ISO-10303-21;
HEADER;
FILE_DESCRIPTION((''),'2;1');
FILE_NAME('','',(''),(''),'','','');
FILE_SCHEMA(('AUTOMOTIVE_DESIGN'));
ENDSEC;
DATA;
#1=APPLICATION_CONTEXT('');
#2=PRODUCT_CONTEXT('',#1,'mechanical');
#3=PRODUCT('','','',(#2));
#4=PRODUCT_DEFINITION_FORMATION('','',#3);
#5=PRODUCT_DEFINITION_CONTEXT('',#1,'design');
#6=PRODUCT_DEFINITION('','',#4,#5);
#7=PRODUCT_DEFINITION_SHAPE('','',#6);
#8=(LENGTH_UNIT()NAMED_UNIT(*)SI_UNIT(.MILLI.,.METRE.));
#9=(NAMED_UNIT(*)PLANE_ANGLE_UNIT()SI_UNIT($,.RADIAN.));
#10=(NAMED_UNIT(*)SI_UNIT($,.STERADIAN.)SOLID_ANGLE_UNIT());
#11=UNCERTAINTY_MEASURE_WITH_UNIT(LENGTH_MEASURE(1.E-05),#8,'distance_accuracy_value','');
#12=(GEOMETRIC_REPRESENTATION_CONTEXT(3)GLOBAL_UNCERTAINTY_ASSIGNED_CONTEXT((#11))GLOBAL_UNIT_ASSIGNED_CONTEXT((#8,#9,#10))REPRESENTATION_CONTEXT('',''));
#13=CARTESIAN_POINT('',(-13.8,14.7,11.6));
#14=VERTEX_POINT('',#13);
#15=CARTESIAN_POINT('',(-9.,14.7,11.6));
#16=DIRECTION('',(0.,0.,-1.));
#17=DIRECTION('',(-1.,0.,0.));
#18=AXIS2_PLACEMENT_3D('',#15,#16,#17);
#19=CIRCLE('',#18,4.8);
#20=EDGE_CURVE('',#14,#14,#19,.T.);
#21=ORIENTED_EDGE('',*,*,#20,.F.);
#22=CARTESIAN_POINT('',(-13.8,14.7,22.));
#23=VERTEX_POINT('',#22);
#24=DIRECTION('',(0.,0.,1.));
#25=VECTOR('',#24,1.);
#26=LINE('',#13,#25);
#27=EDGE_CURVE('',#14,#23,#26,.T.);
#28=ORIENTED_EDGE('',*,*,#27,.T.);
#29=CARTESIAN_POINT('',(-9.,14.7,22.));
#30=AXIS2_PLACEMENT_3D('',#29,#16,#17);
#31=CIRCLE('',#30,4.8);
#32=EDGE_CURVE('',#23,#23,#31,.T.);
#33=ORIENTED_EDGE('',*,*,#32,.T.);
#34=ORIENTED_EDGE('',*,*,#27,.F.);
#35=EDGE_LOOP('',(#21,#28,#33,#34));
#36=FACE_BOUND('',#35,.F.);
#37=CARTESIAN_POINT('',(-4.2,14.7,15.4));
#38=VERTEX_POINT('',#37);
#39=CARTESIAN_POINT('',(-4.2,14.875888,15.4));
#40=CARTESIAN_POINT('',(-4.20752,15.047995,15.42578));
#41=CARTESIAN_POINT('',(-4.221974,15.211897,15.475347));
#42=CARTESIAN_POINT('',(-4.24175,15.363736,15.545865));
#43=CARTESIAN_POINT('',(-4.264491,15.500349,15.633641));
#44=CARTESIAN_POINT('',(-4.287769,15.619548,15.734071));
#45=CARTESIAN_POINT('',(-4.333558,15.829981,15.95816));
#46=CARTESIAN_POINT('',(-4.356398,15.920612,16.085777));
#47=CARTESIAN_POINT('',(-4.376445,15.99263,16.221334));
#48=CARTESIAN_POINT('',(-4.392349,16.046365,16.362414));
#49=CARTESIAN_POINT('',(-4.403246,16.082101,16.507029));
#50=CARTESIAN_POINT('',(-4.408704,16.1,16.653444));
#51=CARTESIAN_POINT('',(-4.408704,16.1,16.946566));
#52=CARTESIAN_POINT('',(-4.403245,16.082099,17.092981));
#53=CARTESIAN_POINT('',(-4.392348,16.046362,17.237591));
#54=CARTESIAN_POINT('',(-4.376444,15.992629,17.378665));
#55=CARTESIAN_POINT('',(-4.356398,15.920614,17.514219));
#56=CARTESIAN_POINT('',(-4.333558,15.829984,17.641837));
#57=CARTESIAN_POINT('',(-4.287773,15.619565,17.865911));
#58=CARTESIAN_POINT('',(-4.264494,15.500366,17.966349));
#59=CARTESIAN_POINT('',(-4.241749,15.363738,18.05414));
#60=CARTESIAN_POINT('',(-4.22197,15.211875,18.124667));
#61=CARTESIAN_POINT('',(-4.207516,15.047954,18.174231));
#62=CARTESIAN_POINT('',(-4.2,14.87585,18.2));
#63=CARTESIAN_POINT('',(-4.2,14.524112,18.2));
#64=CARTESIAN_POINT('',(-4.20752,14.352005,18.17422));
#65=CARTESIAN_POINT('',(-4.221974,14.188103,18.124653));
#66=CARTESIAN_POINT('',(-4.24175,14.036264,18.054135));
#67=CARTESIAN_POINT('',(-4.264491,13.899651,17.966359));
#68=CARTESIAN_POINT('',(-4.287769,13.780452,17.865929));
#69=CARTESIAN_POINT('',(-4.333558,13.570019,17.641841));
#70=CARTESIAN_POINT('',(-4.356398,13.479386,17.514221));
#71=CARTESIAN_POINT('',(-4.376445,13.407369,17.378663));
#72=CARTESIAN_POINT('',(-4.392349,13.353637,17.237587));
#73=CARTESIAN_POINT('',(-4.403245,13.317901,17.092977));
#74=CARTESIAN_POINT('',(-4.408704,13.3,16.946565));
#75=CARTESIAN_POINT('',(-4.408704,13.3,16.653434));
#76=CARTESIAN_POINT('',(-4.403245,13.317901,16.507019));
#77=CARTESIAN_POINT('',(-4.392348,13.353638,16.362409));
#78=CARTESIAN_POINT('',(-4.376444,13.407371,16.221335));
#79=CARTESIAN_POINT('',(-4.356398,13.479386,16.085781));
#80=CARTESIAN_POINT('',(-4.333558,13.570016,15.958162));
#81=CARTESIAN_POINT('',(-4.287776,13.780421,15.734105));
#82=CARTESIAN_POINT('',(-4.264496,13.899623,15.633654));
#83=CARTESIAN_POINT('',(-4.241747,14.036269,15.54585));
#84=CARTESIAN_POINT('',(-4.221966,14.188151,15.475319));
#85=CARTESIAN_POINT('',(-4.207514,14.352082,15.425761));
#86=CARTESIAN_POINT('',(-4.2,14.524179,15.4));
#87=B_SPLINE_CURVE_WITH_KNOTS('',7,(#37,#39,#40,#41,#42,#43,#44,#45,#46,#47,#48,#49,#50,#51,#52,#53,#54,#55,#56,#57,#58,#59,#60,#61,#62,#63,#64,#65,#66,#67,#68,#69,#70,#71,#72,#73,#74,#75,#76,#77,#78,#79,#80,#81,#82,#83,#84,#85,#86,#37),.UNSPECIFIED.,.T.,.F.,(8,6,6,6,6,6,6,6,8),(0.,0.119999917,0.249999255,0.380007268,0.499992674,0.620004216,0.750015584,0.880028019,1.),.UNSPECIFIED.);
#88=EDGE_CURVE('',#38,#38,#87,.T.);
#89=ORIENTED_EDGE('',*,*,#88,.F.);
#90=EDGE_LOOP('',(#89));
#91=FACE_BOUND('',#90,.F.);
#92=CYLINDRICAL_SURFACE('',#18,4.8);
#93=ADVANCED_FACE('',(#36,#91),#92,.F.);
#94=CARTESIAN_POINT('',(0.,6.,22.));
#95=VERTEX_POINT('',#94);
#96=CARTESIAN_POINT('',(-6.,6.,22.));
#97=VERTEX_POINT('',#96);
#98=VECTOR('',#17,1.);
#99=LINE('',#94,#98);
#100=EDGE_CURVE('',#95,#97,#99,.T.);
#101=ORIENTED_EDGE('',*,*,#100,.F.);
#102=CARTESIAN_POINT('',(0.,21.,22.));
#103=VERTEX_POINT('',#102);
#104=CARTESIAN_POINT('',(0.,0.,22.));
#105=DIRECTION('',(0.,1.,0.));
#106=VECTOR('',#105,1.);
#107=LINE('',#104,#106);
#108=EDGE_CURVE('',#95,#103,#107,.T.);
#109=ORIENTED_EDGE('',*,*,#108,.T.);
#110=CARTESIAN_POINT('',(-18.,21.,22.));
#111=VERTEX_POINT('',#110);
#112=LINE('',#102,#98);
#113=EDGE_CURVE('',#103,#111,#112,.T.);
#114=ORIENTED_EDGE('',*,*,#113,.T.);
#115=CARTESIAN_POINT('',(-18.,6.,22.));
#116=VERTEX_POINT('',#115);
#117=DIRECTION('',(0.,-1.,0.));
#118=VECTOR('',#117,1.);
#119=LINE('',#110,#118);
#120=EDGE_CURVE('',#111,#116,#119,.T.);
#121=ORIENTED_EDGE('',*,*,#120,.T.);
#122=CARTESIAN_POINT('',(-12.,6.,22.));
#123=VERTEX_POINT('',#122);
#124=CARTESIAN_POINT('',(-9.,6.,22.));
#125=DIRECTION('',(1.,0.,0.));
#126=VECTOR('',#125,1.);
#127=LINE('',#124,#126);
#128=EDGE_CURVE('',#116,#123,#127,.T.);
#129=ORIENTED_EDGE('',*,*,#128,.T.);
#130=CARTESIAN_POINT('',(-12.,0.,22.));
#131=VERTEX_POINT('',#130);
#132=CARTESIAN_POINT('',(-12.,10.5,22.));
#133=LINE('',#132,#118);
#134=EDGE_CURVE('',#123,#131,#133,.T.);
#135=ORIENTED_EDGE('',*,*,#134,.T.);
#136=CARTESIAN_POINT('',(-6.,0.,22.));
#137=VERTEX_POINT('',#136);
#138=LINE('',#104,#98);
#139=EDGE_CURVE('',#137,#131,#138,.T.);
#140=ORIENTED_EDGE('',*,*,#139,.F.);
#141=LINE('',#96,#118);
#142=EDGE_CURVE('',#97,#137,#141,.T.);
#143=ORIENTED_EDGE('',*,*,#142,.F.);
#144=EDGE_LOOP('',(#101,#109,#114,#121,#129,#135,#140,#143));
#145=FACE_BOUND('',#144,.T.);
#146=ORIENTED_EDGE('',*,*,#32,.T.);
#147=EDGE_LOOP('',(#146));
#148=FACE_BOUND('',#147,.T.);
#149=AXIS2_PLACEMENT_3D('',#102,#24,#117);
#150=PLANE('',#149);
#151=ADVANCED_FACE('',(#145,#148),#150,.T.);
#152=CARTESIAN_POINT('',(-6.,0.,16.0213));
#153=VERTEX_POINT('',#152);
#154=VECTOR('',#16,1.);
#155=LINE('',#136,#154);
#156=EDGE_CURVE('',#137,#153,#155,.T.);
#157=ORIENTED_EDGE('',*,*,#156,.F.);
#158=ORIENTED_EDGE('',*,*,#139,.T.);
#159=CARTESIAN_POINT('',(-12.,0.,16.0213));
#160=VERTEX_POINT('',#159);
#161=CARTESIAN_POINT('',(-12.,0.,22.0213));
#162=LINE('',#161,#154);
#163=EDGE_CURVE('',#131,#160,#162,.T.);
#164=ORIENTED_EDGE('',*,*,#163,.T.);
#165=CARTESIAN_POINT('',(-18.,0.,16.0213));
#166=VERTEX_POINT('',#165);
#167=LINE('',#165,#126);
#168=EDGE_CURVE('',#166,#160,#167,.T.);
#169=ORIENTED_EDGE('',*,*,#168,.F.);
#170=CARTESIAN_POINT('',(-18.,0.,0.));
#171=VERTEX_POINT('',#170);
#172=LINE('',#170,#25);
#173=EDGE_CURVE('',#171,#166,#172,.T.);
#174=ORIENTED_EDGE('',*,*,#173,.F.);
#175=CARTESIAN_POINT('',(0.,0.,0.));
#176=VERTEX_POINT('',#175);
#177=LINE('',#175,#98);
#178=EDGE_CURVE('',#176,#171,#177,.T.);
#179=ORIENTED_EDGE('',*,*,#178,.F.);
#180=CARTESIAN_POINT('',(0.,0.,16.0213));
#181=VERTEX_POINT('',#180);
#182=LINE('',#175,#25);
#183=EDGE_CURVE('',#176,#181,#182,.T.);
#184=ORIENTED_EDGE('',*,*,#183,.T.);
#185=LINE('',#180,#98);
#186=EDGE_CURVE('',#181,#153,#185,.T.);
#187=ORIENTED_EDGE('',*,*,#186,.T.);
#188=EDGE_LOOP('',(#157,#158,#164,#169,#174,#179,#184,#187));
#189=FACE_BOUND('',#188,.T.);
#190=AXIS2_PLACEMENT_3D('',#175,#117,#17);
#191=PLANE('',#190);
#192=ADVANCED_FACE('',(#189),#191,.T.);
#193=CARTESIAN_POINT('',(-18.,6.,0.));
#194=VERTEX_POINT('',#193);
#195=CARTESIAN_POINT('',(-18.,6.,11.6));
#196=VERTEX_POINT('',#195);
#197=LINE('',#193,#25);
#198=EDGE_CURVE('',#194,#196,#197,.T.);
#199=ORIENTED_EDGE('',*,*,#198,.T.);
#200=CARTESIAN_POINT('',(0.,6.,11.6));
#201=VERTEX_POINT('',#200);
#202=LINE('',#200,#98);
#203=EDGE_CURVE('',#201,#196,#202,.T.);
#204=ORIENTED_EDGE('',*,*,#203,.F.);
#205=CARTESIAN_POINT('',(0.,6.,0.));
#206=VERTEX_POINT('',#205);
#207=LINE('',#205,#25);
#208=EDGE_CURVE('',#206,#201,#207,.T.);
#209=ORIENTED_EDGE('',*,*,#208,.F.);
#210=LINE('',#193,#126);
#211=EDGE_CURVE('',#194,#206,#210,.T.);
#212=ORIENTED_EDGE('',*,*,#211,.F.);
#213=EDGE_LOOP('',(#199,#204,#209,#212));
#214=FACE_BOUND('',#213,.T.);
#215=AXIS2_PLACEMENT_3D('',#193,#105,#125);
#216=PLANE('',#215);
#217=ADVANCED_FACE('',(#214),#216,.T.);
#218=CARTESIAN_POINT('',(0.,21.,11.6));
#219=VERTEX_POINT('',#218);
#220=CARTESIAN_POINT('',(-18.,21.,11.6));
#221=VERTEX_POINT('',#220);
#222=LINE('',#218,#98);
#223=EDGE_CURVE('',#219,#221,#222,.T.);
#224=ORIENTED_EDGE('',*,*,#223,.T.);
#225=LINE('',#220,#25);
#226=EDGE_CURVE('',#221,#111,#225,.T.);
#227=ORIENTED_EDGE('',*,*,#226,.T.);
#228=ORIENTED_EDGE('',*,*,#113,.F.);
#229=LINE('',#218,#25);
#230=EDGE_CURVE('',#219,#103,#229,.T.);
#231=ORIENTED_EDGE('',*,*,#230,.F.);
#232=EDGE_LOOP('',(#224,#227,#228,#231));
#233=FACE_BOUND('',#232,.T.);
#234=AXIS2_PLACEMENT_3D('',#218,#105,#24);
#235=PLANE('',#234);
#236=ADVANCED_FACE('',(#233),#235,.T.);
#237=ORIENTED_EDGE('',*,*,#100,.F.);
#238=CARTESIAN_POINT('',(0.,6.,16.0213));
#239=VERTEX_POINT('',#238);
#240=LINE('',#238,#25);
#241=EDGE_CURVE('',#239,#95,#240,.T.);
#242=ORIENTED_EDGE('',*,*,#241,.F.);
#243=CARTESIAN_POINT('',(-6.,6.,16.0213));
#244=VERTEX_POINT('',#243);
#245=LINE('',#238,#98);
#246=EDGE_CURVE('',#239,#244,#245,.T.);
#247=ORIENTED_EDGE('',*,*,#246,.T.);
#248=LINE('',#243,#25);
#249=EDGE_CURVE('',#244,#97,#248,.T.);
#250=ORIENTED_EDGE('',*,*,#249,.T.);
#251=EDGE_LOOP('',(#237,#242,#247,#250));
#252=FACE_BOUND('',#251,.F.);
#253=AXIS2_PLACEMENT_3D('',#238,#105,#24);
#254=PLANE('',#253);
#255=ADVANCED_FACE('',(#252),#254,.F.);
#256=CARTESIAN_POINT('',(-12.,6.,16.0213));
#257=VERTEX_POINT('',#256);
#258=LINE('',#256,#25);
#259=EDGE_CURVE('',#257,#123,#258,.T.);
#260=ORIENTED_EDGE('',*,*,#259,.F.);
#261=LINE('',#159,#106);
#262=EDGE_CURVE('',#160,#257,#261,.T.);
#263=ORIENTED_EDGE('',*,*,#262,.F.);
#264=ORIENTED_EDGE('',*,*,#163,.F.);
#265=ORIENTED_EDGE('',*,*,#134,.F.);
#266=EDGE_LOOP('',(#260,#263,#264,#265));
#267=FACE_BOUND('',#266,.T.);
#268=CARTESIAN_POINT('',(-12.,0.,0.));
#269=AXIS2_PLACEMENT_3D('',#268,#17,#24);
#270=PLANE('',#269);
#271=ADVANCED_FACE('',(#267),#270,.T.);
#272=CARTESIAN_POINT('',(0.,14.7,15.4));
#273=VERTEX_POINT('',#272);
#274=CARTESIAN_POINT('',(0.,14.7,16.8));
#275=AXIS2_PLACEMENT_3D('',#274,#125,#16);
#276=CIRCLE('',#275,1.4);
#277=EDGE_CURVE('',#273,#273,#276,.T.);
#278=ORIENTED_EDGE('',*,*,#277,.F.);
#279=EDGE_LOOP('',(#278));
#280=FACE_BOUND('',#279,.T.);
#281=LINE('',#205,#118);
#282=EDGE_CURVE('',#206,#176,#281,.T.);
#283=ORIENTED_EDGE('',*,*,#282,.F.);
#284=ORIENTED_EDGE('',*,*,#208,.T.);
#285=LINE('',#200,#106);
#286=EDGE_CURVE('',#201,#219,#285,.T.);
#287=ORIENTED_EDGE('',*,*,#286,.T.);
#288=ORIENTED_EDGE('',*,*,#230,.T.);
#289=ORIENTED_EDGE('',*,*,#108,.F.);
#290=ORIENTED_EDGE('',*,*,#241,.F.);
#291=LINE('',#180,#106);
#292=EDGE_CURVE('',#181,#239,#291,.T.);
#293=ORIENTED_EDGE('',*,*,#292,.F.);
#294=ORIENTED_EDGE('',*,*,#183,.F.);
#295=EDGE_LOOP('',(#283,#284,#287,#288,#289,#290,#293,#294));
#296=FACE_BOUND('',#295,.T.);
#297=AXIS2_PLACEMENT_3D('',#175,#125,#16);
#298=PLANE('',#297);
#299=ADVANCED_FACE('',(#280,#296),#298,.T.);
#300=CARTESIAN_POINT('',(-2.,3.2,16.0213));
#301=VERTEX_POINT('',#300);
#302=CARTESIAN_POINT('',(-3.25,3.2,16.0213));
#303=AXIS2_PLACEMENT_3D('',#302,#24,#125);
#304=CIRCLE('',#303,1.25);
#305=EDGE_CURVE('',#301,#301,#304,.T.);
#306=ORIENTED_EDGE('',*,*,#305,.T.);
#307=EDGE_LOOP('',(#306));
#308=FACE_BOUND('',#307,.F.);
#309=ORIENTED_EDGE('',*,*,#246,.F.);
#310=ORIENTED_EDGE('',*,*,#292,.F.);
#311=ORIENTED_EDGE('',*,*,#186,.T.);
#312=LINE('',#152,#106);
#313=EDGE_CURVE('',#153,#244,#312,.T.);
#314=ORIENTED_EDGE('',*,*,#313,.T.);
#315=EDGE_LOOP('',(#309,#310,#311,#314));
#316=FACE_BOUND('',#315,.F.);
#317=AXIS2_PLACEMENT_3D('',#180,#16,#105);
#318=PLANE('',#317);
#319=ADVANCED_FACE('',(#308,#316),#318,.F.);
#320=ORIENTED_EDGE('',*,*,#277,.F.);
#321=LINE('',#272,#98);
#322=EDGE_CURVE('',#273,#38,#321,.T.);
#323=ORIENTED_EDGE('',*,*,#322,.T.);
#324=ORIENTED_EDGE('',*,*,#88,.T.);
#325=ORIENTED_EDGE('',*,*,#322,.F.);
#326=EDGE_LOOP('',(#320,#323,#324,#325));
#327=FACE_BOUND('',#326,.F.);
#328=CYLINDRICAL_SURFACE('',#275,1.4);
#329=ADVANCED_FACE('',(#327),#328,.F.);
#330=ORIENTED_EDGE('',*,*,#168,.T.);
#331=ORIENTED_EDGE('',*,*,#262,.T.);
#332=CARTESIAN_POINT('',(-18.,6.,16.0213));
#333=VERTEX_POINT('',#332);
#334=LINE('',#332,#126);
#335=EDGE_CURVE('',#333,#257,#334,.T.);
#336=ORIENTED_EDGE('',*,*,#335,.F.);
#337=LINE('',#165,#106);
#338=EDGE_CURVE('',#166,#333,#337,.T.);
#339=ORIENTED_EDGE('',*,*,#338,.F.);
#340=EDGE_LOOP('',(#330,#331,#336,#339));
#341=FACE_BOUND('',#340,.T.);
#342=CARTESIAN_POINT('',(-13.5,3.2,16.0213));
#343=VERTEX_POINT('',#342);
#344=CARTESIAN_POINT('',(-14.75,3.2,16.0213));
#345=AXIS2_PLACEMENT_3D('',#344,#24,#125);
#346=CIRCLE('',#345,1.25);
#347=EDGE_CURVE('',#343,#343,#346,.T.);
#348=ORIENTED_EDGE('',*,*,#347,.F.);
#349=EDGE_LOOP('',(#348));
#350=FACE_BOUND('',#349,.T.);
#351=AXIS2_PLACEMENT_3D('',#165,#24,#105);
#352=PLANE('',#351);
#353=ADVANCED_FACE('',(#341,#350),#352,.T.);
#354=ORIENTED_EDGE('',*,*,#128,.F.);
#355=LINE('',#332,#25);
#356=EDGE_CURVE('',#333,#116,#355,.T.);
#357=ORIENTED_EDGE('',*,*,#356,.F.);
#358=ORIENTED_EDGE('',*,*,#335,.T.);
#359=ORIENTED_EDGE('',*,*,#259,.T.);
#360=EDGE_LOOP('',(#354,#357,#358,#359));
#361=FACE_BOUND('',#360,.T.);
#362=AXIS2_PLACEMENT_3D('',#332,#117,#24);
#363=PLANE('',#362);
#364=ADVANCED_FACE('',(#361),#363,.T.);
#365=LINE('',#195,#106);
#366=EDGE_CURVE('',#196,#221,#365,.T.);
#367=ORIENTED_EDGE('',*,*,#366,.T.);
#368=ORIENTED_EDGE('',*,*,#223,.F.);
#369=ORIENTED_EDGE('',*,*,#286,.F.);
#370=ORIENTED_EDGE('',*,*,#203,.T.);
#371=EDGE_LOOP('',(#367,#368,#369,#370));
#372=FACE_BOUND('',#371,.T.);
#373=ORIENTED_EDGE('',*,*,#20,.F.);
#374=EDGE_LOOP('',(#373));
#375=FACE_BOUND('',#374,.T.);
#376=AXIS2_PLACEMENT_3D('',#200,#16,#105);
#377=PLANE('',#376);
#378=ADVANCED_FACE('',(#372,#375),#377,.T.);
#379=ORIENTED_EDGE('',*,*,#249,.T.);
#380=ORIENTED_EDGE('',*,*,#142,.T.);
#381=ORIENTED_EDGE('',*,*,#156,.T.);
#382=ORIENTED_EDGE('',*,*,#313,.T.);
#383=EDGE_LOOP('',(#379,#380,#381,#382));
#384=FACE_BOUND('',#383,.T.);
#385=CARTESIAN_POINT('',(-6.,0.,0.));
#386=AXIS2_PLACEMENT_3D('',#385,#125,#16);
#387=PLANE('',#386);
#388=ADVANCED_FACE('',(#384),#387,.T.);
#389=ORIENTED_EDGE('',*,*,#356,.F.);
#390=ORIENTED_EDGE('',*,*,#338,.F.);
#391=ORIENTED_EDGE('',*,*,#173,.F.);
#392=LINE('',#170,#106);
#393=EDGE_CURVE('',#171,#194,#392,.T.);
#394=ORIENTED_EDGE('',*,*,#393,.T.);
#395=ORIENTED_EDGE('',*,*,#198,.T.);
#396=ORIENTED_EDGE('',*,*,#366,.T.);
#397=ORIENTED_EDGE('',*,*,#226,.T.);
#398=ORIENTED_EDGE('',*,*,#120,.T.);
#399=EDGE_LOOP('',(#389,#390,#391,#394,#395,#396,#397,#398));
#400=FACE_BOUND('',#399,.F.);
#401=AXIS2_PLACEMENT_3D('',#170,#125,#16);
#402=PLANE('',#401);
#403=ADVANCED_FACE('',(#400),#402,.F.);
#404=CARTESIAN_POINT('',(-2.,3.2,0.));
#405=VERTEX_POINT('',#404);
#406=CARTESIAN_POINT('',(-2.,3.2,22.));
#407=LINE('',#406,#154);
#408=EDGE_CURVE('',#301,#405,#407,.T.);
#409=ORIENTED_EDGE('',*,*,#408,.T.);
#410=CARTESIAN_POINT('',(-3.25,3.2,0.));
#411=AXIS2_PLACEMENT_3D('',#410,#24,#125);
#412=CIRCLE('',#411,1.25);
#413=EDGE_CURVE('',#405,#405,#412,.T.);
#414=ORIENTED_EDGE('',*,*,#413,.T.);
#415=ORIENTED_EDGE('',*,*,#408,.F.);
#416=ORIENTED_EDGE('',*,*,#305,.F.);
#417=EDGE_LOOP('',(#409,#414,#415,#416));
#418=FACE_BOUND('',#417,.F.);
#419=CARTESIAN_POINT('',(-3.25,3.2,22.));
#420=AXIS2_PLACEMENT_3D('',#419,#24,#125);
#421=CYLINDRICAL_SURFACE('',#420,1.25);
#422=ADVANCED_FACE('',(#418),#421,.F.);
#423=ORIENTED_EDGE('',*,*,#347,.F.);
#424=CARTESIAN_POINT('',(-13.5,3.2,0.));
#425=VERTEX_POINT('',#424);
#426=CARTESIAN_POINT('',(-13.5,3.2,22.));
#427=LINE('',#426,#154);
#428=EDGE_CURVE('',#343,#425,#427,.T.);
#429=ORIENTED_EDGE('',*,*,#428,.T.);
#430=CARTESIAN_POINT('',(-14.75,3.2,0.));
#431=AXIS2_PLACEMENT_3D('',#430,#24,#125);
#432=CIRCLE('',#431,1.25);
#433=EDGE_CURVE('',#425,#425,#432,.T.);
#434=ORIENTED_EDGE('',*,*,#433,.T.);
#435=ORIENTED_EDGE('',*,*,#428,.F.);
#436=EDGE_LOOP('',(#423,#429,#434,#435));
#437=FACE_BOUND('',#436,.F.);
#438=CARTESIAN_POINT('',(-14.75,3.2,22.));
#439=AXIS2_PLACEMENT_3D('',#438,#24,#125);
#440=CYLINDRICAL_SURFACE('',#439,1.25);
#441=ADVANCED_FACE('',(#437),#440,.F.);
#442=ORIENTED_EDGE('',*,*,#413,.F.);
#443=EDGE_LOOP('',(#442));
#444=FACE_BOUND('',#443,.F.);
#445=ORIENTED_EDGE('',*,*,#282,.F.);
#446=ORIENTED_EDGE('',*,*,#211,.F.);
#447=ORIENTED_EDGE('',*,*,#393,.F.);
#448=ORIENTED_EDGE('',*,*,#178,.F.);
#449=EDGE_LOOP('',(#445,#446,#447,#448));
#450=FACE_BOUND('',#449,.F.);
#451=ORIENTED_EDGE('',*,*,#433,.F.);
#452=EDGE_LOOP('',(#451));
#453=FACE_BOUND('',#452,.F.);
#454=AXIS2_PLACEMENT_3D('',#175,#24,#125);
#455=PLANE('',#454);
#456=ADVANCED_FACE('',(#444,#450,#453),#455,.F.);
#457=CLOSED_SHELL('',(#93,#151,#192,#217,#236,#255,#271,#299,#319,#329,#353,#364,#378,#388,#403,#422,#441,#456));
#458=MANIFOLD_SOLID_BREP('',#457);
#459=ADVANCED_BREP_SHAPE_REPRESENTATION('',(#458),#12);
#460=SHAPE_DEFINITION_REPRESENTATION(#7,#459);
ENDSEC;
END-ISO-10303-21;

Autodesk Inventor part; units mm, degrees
ref_plane "YZ Plane" through (0, 0, 0) normal (1, 0, 0) x (0, 1, 0)
ref_plane "XZ Plane" through (0, 0, 0) normal (0, 1, 0) x (-1, 0, 0)
ref_plane "XY Plane" through (0, 0, 0) normal (0, 0, 1) x (1, 0, 0)
sketch "Sketch1" plane through (0, 0, 0) normal (0, 0, 1) x (1, 0, 0)
  line L0 (0, 0) -> (-18, 0)
  line L1 (-18, 0) -> (-18, 6)
  line L2 (-18, 6) -> (0, 6)
  line L3 (0, 6) -> (0, 0)
  dimension "d0" = 18
  dimension "d1" = 6
extrude "Extrusion1" add sketch "Sketch1" along normal blind 22
sketch "Sketch2" plane through (0, 0, 22) normal (0, 0, 1) x (1, 0, 0)
  line L0 (-18, 0) -> (0, 0) projected
  line L1 (0, 0) -> (0, 6) projected
  line L2 (0, 6) -> (-18, 6) projected
  line L3 (-18, 6) -> (-18, 0) projected
  circle A0 centre (-14.75, 3.2) radius 1.25
  circle A1 centre (-3.25, 3.2) radius 1.25
  dimension "d4" = 2.5
  dimension "d5" = 2.5
  dimension "d6" = 2.8
  dimension "d7" = 2.8
  dimension "d8" = 3.25
  dimension "d9" = 3.25
  dimension "d31" = 11.5
extrude "Extrusion2" cut sketch "Sketch2" against normal through all contours A0 | A1
sketch "Sketch3" plane through (0, 0, 0) normal (1, 0, 0) x (0, 0, -1)
  line L0 (0, 6) -> (0, 0) projected
  line L1 (0, 6) -> (-22, 6) projected
  line L2 (-22, 0) -> (-22, 6) projected
  line L3 (0, 0) -> (-22, 0) projected
  line L4 (0, 6) -> (-22, 6) projected
  line L5 (-22, 6) -> (-11.6, 6)
  line L6 (-11.6, 6) -> (-11.6, 21)
  line L7 (-11.6, 21) -> (-22, 21)
  line L8 (-22, 21) -> (-22, 6)
  dimension "d12" = 10.4
  dimension "d13" = 15
extrude "Extrusion3" add sketch "Sketch3" against normal up to surface (18 mm away) contours L1 L8 L7 L6
sketch "Sketch4" plane through (0, 6, 11.6) normal (0, 0, -1) x (-1, 0, 0)
  line L0 (18, 0) -> (18, 15) projected
  line L1 (0, 15) -> (18, 15) projected
  line L2 (0, 15) -> (0, 0) projected
  line L3 (18, 0) -> (0, 0) projected
  circle A0 centre (9, 8.7) radius 4.8
  point P0 (0, -6)
  dimension "d16" = 9.6
  dimension "d17" = 6.3
extrude "Extrusion4" cut sketch "Sketch4" against normal through all contours A0
sketch "Sketch5" plane through (-18, 0, 0) normal (-1, 0, 0) x (0, 0, 1)
  line L0 (22.0213, 0) -> (16.0213, 0)
  line L1 (16.0213, 0) -> (16.0213, 6)
  line L2 (16.0213, 6) -> (22.0213, 6)
  line L3 (22.0213, 6) -> (22.0213, 0)
  point P0 (0, 0)
  dimension "d20" = 6
  dimension "d21" = 6
extrude "Extrusion5" cut sketch "Sketch5" against normal blind 6
sketch "Sketch6" plane through (0, 0, 0) normal (1, 0, 0) x (0, 0, -1)
  line L0 (-22, 6) -> (-22, 0) projected
  line L1 (-16.0213, 6) -> (-22, 6) projected
  line L2 (-16.0213, 0) -> (-16.0213, 6) projected
  line L3 (-22, 0) -> (-16.0213, 0) projected
  point P0 (0, 0)
extrude "Extrusion6" cut sketch "Sketch6" against normal blind 6
sketch "Sketch7" plane through (0, 0, 0) normal (1, 0, 0) x (0, 0, -1)
  line L0 (-6.6, 12.2) -> (-11.6, 12.2)
  line L1 (-6.6, 17.2) -> (-11.6, 17.2)
  line L2 (-11.6, 21) -> (-11.6, 6) projected
  line L3 (-22, 6) -> (-22, 21) projected
  circle A0 centre (-16.8, 14.7) radius 1.4
  point P0 (0, 0)
  dimension "d26" = 2.8
  dimension "d27" = 5.2
  dimension "d28" = 2.5
extrude "Extrusion7" cut sketch "Sketch7" against normal blind 6
equation "\"d9\" = d8"
properties part number "00_micrometer_moun_xystage_china_new"
